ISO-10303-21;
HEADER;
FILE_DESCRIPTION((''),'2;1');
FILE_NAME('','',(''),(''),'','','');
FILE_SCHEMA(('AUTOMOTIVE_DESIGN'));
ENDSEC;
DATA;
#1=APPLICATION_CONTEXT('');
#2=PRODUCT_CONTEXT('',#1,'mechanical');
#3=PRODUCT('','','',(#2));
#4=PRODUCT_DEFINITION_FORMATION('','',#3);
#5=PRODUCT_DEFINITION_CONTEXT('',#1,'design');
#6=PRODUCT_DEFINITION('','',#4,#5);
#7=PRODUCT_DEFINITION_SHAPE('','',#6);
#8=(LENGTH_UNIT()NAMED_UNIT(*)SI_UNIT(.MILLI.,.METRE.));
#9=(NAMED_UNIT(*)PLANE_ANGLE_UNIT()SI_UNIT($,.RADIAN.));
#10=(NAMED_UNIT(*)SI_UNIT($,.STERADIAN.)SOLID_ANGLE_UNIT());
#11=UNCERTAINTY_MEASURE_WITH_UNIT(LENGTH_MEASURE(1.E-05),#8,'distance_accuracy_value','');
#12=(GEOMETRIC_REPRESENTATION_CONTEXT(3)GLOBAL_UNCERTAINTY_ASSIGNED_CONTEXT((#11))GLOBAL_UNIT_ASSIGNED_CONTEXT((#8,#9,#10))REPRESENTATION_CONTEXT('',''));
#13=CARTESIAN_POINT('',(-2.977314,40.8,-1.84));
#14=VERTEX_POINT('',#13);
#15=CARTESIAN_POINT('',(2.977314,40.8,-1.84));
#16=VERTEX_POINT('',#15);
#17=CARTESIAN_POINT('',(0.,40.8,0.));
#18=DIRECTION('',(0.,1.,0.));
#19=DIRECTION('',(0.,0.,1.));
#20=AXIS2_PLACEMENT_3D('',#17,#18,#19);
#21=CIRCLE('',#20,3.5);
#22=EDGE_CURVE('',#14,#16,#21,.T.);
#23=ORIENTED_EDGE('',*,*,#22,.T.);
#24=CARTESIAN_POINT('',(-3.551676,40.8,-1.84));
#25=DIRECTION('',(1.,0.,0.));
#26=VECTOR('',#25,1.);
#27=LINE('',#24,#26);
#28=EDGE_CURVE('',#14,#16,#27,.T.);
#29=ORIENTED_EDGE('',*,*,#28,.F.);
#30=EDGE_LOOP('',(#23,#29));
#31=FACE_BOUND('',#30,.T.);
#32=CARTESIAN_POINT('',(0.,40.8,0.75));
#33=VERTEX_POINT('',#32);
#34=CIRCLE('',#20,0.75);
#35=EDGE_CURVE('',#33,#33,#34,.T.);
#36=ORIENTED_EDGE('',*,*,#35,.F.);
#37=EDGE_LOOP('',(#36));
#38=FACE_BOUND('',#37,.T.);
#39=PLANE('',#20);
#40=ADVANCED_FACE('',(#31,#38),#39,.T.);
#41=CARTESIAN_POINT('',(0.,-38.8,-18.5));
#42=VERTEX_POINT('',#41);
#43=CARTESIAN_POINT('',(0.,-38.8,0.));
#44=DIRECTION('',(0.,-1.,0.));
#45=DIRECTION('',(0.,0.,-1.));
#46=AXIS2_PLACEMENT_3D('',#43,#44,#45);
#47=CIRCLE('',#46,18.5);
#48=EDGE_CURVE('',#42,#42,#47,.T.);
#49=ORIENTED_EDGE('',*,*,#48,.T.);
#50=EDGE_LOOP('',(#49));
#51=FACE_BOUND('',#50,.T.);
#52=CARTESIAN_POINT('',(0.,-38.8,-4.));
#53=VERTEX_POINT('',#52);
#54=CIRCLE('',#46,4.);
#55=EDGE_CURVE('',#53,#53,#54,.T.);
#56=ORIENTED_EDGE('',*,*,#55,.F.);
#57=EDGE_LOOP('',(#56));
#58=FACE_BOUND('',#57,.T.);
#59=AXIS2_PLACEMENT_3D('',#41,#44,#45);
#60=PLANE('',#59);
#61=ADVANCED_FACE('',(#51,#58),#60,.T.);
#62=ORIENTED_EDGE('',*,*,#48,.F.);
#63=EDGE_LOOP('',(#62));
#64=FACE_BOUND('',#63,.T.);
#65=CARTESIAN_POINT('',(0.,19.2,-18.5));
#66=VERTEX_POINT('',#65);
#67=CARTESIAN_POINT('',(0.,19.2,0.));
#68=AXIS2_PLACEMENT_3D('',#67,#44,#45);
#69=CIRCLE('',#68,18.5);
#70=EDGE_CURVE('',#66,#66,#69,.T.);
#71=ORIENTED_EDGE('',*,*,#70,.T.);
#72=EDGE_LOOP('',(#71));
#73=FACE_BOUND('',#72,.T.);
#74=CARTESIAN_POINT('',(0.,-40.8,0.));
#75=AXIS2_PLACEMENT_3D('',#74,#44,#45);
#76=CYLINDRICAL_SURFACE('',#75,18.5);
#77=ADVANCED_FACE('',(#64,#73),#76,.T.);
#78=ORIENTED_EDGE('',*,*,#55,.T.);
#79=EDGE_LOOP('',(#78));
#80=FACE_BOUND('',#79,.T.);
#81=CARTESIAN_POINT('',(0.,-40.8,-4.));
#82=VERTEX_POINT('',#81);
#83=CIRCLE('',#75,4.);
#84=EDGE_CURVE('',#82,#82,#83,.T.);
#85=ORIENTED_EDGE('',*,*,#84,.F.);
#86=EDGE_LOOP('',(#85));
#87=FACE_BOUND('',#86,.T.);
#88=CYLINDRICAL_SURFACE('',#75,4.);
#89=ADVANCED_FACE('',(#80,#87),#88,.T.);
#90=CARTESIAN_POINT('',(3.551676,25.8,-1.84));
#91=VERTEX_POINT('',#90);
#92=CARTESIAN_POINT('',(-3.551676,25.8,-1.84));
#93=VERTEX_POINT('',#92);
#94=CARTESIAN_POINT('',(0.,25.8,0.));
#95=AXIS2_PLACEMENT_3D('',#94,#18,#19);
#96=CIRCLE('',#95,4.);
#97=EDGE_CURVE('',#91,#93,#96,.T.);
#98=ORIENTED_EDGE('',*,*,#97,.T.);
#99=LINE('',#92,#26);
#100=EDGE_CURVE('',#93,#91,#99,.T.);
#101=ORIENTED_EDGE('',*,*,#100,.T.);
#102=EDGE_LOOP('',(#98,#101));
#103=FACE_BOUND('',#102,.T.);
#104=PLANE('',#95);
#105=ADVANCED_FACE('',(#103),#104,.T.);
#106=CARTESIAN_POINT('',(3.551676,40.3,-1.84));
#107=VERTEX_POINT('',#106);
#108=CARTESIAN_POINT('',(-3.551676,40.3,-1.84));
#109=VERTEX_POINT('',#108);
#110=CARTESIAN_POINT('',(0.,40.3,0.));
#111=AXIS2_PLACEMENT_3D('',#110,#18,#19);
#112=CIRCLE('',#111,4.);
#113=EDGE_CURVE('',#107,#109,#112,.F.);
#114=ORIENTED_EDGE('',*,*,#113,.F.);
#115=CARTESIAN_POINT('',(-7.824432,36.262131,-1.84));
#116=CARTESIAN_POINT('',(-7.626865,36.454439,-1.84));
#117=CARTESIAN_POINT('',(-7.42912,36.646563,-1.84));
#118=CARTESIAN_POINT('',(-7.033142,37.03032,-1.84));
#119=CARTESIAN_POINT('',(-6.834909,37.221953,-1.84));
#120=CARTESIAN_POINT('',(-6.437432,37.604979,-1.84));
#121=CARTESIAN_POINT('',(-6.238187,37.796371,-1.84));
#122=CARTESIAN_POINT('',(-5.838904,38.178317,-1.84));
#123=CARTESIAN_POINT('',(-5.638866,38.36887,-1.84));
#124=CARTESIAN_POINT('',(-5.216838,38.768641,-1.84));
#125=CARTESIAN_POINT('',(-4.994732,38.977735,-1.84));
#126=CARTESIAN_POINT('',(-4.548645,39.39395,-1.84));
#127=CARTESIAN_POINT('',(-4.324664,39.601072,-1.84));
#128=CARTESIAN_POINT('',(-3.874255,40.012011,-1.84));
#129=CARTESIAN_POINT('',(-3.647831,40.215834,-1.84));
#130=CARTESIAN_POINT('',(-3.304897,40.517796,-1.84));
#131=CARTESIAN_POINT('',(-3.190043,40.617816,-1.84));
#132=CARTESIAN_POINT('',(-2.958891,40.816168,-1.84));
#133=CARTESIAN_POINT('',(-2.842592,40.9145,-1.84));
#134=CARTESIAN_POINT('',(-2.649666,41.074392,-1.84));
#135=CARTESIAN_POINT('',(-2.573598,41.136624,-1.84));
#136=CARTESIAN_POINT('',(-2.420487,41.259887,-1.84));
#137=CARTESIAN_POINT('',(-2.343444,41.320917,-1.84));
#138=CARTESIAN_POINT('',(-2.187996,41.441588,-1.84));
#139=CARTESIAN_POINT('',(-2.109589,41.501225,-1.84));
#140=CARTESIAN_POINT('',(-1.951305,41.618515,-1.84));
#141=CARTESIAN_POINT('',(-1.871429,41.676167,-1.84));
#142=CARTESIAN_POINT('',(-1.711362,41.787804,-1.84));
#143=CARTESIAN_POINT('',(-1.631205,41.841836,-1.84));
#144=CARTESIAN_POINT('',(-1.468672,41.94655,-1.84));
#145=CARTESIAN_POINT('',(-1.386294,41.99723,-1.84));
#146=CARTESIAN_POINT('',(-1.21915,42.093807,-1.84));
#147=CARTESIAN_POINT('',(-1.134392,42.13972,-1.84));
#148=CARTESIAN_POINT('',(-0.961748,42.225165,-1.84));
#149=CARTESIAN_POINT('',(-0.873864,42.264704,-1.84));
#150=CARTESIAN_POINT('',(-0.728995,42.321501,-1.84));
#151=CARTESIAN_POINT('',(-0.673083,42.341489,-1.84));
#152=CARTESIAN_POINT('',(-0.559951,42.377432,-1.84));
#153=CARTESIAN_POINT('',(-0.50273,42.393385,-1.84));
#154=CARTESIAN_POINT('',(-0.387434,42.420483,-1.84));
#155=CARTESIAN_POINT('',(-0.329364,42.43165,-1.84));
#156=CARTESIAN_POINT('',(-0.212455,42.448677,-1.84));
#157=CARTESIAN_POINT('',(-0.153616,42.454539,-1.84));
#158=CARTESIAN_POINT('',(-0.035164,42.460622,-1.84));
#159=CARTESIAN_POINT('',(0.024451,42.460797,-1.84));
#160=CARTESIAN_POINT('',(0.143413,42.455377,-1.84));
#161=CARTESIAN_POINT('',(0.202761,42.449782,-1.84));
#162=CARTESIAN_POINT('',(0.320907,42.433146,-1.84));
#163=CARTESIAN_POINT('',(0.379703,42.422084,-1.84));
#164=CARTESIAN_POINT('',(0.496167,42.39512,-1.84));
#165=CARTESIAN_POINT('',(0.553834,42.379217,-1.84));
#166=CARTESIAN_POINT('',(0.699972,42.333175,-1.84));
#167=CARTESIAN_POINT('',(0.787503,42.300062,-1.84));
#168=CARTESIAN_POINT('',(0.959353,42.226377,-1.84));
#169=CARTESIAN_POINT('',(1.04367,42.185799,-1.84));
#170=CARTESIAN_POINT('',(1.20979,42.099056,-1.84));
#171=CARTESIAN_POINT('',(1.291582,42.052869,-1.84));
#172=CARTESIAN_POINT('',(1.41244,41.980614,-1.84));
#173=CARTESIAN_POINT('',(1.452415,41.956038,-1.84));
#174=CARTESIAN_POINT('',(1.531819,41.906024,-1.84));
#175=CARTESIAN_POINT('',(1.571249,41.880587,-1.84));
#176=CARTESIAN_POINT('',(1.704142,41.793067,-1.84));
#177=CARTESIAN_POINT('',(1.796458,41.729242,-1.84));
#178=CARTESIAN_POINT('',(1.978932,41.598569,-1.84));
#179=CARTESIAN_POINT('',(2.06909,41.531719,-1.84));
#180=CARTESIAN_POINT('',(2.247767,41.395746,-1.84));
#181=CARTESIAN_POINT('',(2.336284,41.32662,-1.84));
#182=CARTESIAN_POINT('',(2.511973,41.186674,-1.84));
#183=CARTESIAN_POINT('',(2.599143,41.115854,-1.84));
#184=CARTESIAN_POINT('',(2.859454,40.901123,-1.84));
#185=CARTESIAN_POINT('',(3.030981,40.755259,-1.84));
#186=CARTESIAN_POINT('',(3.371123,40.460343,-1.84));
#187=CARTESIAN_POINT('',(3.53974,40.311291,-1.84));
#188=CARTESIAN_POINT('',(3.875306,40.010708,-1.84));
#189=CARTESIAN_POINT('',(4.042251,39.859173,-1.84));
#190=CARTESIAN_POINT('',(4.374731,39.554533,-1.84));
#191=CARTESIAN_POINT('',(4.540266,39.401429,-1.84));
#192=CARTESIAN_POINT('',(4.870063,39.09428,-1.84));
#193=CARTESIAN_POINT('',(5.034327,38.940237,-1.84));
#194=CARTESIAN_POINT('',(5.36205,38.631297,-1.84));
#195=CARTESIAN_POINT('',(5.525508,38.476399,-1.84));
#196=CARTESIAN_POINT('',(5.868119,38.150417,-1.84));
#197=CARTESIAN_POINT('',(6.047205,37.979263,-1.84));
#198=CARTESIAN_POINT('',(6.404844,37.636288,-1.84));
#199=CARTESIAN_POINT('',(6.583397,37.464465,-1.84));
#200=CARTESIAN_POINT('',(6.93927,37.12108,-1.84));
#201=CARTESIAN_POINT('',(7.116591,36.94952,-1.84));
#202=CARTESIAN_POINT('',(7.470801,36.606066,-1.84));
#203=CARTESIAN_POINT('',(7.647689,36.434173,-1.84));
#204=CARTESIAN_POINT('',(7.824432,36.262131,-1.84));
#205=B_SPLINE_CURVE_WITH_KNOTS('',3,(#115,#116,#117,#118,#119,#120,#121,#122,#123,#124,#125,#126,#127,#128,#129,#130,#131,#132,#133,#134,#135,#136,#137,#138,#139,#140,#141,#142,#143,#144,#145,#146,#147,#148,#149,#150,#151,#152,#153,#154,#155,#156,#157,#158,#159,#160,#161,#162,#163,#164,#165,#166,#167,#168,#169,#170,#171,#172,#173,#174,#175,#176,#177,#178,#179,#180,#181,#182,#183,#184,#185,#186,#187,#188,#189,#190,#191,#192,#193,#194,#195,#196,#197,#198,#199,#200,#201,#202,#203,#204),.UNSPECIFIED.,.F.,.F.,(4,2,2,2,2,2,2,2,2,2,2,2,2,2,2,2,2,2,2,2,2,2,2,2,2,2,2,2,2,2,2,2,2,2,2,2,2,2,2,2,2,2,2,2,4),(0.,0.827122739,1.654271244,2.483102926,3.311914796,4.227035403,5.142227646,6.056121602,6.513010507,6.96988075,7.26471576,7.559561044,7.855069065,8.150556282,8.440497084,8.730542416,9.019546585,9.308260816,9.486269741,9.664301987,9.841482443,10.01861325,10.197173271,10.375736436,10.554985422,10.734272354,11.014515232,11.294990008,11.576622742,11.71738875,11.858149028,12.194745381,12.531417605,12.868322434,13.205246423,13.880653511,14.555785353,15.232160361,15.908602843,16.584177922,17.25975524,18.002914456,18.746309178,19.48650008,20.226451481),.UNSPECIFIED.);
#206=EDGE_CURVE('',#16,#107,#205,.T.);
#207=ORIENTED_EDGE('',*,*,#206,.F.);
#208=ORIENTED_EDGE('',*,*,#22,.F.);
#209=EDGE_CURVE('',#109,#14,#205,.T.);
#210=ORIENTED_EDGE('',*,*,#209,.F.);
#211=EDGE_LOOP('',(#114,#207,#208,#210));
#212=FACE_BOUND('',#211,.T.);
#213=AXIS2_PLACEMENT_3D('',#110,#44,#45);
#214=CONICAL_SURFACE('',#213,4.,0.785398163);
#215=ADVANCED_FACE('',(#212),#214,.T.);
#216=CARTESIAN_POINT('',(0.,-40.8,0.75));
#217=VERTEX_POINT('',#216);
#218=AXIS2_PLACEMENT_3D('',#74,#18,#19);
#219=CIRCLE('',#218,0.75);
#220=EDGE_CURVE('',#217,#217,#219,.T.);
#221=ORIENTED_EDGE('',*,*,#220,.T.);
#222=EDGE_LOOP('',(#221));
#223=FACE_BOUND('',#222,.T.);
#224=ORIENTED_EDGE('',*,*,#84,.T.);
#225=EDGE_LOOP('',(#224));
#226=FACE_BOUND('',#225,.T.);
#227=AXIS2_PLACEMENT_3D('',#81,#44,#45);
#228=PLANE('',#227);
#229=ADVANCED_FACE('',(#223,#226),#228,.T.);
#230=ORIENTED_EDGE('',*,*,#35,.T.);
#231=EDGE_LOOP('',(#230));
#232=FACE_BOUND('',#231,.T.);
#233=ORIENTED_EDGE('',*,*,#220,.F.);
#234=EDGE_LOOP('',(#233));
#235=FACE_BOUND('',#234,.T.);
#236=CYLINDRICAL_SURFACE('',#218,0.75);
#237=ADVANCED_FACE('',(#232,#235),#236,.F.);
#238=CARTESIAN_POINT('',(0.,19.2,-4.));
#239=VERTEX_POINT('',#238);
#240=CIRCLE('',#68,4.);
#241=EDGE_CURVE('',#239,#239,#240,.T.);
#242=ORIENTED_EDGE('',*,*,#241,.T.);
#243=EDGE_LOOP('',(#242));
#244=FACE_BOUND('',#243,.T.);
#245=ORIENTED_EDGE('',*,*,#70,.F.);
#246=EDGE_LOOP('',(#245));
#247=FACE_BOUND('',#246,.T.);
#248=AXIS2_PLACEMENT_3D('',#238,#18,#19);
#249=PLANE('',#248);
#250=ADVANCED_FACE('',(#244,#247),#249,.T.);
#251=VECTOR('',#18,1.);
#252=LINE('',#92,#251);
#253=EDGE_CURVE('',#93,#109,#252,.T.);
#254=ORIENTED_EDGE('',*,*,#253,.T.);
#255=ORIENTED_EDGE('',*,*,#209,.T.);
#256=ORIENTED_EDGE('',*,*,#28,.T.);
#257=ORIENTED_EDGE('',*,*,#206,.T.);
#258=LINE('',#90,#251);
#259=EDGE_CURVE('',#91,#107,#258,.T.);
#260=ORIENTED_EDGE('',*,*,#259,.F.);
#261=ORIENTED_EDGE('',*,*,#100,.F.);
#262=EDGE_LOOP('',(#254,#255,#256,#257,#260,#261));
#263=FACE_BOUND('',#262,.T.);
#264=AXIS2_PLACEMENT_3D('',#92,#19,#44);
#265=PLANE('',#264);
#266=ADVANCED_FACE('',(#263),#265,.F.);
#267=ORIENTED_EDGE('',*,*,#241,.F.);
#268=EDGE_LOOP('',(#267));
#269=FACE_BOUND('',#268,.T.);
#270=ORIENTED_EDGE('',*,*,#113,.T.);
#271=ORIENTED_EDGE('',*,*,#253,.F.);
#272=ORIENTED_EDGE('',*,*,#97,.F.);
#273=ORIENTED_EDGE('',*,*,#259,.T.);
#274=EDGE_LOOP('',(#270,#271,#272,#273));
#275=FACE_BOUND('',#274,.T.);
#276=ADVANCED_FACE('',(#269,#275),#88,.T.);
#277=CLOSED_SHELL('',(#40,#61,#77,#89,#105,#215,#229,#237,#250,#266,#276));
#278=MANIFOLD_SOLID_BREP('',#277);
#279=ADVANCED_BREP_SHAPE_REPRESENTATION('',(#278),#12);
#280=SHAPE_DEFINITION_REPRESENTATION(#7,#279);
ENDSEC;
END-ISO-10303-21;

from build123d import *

# Parameters (mm, degrees)
CHAMFER1_SIZE      = 0.5
CUT_EXTRUDE1_START = -15
CUT_EXTRUDE1_DEPTH = 15
SKETCH3_R          = 0.75
CUT_EXTRUDE2_DEPTH = 86.691656537


with BuildPart() as part:
    # Sketch1 → Revolve1 (revolve)
    with BuildSketch(Plane(origin=(0, 0, 0), x_dir=(0, 0, -1), z_dir=(1, 0, 0))):
        Polygon((0, -40.8), (0, 40.8), (4, 40.8), (4, 19.2), (18.5, 19.2), (18.5, -38.8), (4, -38.8), (4, -40.8), align=None)
    revolve(axis=Axis((0, -40.8, 0), (0, 1, 0)))

    # Chamfer1
    chamfer1_edges = [part.edges().sort_by_distance(p)[0] for p in [
        (0, 40.8, 4),
    ]]
    chamfer(chamfer1_edges, length=CHAMFER1_SIZE)

    # Sketch2 → Cut-Extrude1 (cut)
    with BuildSketch(Plane(origin=(0, 40.8, 0), x_dir=(1, 0, 0), z_dir=(0, 1, 0)).offset(CUT_EXTRUDE1_START)):
        with BuildLine():
            Line((-3.551675661, 1.84), (3.551675661, 1.84))
            ThreePointArc((3.551675661, 1.84), (0, 4), (-3.551675661, 1.84))
        make_face()
    extrude(amount=CUT_EXTRUDE1_DEPTH, mode=Mode.SUBTRACT)

    # Sketch3 → Cut-Extrude2 (cut, through all)
    with BuildSketch(Plane(origin=(0, 40.8, 0), x_dir=(1, 0, 0), z_dir=(0, 1, 0))):
        with Locations(Location((0, 0, 0), (0, 0, 270))):
            Circle(SKETCH3_R)
    extrude(amount=-CUT_EXTRUDE2_DEPTH, mode=Mode.SUBTRACT)


solid = part.part
